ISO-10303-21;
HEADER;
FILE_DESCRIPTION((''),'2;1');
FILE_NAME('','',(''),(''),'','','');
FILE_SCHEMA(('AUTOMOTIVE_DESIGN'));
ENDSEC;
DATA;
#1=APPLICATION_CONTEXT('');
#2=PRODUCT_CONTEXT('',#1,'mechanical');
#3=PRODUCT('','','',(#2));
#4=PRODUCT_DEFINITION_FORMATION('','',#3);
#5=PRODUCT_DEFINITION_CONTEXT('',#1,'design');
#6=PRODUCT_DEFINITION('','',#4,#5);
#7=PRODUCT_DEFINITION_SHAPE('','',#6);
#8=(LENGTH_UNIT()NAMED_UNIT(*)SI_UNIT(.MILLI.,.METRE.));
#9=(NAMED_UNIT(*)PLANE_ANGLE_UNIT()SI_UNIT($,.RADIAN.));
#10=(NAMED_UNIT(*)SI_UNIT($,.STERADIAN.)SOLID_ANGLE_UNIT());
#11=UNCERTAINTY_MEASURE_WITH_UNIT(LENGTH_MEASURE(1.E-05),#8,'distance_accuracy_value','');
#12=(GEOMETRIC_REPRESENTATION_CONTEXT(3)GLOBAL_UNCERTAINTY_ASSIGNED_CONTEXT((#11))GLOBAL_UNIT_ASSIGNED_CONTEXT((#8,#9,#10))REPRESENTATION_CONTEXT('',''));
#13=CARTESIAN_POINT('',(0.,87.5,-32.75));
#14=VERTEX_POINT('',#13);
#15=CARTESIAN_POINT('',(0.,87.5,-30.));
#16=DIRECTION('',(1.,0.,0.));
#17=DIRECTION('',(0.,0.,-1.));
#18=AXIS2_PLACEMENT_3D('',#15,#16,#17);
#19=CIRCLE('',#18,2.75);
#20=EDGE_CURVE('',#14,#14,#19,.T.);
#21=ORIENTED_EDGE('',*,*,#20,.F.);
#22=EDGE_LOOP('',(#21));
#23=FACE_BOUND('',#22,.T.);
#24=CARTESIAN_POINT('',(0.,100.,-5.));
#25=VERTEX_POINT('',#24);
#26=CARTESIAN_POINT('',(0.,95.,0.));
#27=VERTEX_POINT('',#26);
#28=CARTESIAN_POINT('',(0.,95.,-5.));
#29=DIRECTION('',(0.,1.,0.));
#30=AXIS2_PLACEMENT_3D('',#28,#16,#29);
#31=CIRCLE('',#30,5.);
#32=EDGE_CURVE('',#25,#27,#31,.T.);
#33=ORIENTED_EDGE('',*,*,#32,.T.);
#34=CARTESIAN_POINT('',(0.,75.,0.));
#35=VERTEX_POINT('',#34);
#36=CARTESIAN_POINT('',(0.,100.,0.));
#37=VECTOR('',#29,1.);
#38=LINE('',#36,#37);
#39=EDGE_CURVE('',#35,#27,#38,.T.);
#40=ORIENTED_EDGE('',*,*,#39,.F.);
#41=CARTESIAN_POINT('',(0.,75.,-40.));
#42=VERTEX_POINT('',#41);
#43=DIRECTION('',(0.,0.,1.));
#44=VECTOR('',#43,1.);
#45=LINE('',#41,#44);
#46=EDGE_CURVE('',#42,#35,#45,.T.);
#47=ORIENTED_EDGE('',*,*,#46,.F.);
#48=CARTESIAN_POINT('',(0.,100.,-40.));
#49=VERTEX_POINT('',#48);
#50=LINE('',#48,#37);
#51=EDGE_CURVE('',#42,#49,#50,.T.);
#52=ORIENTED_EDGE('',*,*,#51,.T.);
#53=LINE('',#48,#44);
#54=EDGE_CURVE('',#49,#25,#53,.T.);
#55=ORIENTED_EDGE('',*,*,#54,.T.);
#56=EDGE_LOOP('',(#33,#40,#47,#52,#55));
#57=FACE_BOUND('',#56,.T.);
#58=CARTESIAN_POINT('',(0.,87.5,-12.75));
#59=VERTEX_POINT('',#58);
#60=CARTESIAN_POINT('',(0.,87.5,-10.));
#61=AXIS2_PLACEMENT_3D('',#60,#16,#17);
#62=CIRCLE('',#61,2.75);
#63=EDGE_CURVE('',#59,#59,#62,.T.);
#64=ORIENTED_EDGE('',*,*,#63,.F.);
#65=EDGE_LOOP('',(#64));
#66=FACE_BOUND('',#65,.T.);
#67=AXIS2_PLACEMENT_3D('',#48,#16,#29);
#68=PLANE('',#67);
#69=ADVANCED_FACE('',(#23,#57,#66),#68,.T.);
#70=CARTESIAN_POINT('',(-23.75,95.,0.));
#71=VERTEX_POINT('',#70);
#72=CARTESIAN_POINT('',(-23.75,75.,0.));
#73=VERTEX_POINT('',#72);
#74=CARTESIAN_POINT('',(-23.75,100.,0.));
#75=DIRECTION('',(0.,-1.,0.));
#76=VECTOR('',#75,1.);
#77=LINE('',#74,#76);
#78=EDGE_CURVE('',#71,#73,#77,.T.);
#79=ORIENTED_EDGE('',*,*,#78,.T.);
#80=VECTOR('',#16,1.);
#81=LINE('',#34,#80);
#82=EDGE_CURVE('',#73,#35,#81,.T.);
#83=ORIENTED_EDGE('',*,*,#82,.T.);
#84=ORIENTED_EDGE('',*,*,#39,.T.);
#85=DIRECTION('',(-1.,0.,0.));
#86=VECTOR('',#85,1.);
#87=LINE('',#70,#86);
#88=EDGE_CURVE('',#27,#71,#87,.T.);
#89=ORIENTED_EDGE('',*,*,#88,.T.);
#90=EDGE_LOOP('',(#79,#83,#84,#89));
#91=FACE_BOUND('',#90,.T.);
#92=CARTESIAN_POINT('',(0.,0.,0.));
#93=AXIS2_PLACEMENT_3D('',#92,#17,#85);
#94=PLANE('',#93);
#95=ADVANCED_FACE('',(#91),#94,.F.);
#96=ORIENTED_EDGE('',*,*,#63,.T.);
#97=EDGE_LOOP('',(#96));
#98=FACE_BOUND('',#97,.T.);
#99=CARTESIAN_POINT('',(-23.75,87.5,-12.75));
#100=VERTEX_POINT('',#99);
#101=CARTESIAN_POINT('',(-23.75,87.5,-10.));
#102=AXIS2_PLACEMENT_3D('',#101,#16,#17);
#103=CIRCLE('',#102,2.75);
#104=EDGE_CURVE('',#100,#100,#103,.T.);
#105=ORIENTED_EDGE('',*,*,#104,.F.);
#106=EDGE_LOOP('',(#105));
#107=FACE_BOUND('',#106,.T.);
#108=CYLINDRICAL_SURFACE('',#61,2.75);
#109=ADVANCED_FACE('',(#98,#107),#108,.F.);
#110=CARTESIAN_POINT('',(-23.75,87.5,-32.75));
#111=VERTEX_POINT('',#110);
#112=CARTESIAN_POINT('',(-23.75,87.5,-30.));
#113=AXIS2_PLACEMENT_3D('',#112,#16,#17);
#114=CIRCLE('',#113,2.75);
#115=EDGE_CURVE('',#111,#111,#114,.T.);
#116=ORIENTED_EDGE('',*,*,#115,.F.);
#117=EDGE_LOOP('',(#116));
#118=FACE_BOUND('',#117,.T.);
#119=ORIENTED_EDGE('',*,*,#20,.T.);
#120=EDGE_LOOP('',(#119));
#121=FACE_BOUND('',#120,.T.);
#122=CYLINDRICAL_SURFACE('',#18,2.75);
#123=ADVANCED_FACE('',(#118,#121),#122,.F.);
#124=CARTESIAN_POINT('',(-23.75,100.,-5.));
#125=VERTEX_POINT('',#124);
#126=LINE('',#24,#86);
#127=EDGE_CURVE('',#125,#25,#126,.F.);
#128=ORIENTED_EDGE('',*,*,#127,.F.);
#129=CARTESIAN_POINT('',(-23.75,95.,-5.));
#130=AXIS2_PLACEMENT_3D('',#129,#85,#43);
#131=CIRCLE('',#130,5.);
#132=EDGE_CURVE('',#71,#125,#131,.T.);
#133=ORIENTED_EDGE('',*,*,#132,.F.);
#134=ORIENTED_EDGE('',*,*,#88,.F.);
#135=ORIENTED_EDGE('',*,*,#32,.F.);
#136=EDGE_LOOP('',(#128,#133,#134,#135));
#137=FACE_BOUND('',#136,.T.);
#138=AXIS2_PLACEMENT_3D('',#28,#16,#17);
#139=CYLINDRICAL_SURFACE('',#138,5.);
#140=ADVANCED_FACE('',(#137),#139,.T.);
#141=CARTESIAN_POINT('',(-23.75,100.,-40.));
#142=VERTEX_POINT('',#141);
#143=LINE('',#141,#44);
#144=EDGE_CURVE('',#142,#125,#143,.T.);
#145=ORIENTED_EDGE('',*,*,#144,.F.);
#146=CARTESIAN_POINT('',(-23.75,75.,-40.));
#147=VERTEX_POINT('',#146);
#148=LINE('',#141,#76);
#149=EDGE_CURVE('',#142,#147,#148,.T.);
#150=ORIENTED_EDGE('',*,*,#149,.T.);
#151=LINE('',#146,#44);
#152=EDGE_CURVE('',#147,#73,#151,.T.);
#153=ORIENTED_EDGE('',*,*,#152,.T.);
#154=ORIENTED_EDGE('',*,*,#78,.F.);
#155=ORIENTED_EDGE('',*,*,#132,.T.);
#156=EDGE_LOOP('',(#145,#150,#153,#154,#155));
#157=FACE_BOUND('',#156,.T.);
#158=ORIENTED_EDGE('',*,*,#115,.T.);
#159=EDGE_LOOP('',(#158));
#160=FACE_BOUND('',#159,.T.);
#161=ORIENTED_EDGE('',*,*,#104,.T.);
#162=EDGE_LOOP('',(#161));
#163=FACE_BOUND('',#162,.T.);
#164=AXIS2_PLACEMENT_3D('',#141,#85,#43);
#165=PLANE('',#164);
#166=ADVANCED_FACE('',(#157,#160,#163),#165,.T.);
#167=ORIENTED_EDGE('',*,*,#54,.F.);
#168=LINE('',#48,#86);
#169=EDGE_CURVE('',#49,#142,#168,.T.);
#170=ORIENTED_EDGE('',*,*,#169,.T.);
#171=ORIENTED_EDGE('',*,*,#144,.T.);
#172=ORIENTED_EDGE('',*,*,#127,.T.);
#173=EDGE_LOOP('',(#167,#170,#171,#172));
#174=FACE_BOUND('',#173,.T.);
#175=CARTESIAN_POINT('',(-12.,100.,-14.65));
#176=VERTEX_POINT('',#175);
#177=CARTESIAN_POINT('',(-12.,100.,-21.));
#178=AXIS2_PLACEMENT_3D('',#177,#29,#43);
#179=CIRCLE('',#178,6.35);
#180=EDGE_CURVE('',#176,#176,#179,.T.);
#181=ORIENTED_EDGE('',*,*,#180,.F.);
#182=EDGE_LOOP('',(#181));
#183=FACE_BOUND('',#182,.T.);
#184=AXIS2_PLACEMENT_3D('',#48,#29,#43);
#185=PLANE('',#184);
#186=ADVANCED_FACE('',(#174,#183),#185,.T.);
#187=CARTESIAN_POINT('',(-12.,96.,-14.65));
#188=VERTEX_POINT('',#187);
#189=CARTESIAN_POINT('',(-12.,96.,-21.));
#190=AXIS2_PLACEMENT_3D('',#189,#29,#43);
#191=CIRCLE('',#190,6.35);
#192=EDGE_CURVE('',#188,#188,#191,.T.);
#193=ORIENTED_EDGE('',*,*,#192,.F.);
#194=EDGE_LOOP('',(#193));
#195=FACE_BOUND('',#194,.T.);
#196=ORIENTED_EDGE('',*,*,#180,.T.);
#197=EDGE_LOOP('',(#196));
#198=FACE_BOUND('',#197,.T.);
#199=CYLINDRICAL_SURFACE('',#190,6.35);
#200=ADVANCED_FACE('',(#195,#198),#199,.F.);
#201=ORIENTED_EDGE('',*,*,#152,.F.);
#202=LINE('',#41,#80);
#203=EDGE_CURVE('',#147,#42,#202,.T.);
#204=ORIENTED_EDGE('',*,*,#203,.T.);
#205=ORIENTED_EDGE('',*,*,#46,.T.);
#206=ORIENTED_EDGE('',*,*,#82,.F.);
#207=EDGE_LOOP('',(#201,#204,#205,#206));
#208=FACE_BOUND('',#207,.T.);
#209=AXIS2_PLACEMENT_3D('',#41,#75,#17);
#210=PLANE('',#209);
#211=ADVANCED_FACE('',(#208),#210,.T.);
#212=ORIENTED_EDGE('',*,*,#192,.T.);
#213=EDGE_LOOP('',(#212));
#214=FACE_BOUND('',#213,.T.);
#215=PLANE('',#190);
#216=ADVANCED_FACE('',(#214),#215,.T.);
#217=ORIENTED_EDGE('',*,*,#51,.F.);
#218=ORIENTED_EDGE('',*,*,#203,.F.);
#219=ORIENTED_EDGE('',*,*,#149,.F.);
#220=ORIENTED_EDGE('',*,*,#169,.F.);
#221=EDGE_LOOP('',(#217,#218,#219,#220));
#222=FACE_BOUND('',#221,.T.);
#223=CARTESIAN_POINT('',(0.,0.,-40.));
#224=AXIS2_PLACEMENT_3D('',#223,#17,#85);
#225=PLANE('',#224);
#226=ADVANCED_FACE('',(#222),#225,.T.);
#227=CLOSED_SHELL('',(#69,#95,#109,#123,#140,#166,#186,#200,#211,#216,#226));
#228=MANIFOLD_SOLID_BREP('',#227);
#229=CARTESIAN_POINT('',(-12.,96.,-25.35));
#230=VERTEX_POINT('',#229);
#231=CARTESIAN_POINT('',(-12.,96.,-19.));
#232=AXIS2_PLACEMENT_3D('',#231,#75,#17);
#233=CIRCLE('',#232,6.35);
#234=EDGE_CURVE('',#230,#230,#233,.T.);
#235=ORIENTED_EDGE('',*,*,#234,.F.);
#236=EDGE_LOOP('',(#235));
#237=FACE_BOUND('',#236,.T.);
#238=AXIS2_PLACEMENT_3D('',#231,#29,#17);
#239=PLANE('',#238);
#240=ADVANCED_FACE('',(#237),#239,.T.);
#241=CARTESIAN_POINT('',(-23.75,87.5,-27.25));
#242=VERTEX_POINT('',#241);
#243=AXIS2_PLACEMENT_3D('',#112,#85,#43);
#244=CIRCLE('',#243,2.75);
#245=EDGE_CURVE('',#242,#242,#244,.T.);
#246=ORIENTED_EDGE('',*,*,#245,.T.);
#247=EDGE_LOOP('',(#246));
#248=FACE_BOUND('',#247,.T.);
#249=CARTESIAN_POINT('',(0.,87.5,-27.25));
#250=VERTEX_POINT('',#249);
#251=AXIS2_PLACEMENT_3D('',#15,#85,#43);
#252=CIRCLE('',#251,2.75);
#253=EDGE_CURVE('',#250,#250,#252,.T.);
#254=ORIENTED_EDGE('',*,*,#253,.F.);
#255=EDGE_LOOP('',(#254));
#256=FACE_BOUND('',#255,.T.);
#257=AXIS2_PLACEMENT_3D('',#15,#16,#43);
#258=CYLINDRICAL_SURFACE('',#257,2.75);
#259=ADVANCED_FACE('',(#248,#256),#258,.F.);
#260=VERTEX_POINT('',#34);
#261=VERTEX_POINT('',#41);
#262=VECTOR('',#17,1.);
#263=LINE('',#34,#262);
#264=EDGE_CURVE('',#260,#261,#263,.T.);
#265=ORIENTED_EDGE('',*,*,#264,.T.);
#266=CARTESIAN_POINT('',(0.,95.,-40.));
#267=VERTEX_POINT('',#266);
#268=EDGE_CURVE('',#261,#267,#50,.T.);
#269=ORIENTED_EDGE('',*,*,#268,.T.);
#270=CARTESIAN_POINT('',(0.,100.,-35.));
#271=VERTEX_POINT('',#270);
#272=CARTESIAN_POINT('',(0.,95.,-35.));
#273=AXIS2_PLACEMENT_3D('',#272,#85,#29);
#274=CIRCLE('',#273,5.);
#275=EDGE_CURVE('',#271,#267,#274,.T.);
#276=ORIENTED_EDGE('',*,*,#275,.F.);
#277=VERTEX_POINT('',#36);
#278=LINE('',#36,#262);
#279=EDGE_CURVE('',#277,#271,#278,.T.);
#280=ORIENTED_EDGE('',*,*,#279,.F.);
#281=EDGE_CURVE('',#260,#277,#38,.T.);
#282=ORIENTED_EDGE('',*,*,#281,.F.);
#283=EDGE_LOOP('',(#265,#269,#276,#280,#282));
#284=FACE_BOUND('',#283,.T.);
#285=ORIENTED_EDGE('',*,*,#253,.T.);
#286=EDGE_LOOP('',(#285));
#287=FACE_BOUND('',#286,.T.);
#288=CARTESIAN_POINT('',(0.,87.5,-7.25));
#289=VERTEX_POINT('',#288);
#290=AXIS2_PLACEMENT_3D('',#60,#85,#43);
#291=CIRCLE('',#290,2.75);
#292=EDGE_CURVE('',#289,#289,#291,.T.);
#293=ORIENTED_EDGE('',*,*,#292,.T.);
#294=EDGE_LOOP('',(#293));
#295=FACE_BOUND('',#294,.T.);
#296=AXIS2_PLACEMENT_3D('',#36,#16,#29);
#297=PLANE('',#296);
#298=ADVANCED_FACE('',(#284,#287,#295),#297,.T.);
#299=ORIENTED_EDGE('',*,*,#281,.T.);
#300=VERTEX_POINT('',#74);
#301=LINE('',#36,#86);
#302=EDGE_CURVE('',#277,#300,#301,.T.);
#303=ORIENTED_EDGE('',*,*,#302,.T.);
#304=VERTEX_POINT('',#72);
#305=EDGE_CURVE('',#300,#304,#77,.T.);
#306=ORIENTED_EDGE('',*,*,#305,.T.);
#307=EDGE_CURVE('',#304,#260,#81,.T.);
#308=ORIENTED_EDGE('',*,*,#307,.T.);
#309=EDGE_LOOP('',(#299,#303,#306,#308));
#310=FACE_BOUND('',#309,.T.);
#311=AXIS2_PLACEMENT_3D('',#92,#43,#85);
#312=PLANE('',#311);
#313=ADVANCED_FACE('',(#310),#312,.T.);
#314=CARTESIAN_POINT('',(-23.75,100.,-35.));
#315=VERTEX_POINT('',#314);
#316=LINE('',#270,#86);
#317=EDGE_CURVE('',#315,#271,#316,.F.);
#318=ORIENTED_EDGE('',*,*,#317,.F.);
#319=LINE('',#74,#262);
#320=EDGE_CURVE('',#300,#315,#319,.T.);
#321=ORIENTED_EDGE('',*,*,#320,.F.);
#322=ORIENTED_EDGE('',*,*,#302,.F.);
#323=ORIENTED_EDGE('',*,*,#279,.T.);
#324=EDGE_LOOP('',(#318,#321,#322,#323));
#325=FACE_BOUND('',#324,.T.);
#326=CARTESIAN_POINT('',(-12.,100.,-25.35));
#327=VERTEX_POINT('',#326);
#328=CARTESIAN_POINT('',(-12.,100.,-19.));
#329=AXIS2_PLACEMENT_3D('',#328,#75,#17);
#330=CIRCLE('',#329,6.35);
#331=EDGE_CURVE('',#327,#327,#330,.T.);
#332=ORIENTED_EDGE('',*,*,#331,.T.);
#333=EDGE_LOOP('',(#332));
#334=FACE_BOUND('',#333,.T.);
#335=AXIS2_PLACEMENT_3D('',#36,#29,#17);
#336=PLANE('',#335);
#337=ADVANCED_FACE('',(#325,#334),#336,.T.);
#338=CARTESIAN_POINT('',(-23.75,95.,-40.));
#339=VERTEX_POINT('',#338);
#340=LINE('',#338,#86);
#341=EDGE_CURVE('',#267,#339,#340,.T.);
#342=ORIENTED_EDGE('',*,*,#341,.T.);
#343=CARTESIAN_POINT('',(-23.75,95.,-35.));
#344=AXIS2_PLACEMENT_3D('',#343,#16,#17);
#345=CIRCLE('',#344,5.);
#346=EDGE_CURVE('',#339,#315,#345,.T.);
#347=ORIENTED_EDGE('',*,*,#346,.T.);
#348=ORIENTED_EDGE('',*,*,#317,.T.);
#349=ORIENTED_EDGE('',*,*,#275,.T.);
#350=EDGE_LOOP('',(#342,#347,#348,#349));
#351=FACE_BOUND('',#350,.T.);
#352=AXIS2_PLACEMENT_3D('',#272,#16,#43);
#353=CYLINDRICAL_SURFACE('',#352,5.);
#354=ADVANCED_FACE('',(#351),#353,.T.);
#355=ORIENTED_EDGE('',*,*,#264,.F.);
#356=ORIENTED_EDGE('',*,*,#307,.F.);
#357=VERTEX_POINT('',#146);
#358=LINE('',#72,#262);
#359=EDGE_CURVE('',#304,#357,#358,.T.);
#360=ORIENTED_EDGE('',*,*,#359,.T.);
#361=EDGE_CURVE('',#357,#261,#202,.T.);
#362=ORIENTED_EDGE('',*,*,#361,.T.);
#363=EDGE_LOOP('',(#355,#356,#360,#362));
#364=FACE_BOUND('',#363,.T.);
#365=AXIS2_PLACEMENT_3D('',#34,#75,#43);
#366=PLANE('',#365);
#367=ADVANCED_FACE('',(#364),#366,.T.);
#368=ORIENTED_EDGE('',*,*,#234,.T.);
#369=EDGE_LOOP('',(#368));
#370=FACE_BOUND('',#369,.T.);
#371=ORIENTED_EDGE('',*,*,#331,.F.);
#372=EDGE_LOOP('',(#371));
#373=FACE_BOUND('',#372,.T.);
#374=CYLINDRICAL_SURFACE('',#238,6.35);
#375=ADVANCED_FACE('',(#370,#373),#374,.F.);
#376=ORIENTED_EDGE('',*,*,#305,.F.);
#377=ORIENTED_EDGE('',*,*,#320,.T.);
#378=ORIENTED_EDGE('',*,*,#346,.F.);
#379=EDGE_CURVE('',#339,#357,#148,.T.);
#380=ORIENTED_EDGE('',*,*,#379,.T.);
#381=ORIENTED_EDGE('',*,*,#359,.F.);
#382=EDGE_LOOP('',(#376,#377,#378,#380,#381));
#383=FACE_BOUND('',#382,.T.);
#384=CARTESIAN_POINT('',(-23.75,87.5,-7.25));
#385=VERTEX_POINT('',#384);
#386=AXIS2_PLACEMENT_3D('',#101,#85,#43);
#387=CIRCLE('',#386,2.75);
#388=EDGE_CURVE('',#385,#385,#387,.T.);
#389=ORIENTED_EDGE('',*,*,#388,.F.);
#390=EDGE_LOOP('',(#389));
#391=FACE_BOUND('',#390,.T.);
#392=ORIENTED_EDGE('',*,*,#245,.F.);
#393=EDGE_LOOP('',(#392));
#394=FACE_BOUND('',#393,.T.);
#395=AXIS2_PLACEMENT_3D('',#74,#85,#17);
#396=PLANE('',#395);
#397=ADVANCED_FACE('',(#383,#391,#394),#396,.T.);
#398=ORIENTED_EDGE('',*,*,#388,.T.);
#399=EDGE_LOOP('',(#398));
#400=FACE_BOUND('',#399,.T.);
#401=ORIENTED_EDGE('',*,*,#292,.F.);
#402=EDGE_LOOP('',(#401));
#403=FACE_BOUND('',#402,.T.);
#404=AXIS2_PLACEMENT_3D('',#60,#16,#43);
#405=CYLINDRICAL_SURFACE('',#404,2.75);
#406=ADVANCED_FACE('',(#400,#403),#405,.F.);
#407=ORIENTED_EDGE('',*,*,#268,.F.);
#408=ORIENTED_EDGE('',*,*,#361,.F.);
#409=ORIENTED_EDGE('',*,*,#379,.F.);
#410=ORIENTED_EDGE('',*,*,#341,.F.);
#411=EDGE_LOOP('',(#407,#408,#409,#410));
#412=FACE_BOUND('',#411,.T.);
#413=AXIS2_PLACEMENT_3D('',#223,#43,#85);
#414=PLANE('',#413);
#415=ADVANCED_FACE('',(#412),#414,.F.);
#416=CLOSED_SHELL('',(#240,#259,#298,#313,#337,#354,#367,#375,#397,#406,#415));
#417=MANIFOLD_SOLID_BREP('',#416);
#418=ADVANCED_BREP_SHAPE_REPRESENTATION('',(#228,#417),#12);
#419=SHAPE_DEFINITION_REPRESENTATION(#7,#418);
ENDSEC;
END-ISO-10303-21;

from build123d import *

# Parameters (mm, degrees)
ESQUISSE2_W             = 23.75
ESQUISSE2_H             = 25
BOSS_EXTRU_1_DEPTH      = 40
ESQUISSE3_R             = 6.35
ENL_V_MAT_EXTRU_1_DEPTH = 4
D_GAGEMENT_M51_D        = 5.5
CONG_1_R                = 5


with BuildPart() as part:
    # Esquisse2 → Boss.-Extru.1 (new body)
    with BuildSketch(Plane.XY):
        with Locations((-11.875, 87.5)):
            Rectangle(ESQUISSE2_W, ESQUISSE2_H)
    extrude(amount=-BOSS_EXTRU_1_DEPTH)

    # Esquisse3 → Enlèv. mat.-Extru.1 (cut)
    with BuildSketch(Plane(origin=(0, 100, 0), x_dir=(1, 0, 0), z_dir=(0, 1, 0))):
        with Locations(Location((-12, 21, 0), (0, 0, 270))):
            Circle(ESQUISSE3_R)
    extrude(amount=-ENL_V_MAT_EXTRU_1_DEPTH, mode=Mode.SUBTRACT)

    # Dégagement M51 (through all)
    with Locations(Plane(origin=(0, 87.5, -10), x_dir=(0, 1, 0), z_dir=(1, 0, 0))):
        with Locations((0, 0), (0, -20)):
            Hole(D_GAGEMENT_M51_D / 2)

    # Congé1
    cong_1_edges = [part.edges().sort_by_distance(p)[0] for p in [
        (-11.875, 100, 0),
    ]]
    fillet(cong_1_edges, radius=CONG_1_R)


with BuildPart() as body_2:
    # Symétrie1: mirrored copy
    add(part.part.mirror(Plane.XY.offset(-20)))


solid = Compound([part.part, body_2.part])
